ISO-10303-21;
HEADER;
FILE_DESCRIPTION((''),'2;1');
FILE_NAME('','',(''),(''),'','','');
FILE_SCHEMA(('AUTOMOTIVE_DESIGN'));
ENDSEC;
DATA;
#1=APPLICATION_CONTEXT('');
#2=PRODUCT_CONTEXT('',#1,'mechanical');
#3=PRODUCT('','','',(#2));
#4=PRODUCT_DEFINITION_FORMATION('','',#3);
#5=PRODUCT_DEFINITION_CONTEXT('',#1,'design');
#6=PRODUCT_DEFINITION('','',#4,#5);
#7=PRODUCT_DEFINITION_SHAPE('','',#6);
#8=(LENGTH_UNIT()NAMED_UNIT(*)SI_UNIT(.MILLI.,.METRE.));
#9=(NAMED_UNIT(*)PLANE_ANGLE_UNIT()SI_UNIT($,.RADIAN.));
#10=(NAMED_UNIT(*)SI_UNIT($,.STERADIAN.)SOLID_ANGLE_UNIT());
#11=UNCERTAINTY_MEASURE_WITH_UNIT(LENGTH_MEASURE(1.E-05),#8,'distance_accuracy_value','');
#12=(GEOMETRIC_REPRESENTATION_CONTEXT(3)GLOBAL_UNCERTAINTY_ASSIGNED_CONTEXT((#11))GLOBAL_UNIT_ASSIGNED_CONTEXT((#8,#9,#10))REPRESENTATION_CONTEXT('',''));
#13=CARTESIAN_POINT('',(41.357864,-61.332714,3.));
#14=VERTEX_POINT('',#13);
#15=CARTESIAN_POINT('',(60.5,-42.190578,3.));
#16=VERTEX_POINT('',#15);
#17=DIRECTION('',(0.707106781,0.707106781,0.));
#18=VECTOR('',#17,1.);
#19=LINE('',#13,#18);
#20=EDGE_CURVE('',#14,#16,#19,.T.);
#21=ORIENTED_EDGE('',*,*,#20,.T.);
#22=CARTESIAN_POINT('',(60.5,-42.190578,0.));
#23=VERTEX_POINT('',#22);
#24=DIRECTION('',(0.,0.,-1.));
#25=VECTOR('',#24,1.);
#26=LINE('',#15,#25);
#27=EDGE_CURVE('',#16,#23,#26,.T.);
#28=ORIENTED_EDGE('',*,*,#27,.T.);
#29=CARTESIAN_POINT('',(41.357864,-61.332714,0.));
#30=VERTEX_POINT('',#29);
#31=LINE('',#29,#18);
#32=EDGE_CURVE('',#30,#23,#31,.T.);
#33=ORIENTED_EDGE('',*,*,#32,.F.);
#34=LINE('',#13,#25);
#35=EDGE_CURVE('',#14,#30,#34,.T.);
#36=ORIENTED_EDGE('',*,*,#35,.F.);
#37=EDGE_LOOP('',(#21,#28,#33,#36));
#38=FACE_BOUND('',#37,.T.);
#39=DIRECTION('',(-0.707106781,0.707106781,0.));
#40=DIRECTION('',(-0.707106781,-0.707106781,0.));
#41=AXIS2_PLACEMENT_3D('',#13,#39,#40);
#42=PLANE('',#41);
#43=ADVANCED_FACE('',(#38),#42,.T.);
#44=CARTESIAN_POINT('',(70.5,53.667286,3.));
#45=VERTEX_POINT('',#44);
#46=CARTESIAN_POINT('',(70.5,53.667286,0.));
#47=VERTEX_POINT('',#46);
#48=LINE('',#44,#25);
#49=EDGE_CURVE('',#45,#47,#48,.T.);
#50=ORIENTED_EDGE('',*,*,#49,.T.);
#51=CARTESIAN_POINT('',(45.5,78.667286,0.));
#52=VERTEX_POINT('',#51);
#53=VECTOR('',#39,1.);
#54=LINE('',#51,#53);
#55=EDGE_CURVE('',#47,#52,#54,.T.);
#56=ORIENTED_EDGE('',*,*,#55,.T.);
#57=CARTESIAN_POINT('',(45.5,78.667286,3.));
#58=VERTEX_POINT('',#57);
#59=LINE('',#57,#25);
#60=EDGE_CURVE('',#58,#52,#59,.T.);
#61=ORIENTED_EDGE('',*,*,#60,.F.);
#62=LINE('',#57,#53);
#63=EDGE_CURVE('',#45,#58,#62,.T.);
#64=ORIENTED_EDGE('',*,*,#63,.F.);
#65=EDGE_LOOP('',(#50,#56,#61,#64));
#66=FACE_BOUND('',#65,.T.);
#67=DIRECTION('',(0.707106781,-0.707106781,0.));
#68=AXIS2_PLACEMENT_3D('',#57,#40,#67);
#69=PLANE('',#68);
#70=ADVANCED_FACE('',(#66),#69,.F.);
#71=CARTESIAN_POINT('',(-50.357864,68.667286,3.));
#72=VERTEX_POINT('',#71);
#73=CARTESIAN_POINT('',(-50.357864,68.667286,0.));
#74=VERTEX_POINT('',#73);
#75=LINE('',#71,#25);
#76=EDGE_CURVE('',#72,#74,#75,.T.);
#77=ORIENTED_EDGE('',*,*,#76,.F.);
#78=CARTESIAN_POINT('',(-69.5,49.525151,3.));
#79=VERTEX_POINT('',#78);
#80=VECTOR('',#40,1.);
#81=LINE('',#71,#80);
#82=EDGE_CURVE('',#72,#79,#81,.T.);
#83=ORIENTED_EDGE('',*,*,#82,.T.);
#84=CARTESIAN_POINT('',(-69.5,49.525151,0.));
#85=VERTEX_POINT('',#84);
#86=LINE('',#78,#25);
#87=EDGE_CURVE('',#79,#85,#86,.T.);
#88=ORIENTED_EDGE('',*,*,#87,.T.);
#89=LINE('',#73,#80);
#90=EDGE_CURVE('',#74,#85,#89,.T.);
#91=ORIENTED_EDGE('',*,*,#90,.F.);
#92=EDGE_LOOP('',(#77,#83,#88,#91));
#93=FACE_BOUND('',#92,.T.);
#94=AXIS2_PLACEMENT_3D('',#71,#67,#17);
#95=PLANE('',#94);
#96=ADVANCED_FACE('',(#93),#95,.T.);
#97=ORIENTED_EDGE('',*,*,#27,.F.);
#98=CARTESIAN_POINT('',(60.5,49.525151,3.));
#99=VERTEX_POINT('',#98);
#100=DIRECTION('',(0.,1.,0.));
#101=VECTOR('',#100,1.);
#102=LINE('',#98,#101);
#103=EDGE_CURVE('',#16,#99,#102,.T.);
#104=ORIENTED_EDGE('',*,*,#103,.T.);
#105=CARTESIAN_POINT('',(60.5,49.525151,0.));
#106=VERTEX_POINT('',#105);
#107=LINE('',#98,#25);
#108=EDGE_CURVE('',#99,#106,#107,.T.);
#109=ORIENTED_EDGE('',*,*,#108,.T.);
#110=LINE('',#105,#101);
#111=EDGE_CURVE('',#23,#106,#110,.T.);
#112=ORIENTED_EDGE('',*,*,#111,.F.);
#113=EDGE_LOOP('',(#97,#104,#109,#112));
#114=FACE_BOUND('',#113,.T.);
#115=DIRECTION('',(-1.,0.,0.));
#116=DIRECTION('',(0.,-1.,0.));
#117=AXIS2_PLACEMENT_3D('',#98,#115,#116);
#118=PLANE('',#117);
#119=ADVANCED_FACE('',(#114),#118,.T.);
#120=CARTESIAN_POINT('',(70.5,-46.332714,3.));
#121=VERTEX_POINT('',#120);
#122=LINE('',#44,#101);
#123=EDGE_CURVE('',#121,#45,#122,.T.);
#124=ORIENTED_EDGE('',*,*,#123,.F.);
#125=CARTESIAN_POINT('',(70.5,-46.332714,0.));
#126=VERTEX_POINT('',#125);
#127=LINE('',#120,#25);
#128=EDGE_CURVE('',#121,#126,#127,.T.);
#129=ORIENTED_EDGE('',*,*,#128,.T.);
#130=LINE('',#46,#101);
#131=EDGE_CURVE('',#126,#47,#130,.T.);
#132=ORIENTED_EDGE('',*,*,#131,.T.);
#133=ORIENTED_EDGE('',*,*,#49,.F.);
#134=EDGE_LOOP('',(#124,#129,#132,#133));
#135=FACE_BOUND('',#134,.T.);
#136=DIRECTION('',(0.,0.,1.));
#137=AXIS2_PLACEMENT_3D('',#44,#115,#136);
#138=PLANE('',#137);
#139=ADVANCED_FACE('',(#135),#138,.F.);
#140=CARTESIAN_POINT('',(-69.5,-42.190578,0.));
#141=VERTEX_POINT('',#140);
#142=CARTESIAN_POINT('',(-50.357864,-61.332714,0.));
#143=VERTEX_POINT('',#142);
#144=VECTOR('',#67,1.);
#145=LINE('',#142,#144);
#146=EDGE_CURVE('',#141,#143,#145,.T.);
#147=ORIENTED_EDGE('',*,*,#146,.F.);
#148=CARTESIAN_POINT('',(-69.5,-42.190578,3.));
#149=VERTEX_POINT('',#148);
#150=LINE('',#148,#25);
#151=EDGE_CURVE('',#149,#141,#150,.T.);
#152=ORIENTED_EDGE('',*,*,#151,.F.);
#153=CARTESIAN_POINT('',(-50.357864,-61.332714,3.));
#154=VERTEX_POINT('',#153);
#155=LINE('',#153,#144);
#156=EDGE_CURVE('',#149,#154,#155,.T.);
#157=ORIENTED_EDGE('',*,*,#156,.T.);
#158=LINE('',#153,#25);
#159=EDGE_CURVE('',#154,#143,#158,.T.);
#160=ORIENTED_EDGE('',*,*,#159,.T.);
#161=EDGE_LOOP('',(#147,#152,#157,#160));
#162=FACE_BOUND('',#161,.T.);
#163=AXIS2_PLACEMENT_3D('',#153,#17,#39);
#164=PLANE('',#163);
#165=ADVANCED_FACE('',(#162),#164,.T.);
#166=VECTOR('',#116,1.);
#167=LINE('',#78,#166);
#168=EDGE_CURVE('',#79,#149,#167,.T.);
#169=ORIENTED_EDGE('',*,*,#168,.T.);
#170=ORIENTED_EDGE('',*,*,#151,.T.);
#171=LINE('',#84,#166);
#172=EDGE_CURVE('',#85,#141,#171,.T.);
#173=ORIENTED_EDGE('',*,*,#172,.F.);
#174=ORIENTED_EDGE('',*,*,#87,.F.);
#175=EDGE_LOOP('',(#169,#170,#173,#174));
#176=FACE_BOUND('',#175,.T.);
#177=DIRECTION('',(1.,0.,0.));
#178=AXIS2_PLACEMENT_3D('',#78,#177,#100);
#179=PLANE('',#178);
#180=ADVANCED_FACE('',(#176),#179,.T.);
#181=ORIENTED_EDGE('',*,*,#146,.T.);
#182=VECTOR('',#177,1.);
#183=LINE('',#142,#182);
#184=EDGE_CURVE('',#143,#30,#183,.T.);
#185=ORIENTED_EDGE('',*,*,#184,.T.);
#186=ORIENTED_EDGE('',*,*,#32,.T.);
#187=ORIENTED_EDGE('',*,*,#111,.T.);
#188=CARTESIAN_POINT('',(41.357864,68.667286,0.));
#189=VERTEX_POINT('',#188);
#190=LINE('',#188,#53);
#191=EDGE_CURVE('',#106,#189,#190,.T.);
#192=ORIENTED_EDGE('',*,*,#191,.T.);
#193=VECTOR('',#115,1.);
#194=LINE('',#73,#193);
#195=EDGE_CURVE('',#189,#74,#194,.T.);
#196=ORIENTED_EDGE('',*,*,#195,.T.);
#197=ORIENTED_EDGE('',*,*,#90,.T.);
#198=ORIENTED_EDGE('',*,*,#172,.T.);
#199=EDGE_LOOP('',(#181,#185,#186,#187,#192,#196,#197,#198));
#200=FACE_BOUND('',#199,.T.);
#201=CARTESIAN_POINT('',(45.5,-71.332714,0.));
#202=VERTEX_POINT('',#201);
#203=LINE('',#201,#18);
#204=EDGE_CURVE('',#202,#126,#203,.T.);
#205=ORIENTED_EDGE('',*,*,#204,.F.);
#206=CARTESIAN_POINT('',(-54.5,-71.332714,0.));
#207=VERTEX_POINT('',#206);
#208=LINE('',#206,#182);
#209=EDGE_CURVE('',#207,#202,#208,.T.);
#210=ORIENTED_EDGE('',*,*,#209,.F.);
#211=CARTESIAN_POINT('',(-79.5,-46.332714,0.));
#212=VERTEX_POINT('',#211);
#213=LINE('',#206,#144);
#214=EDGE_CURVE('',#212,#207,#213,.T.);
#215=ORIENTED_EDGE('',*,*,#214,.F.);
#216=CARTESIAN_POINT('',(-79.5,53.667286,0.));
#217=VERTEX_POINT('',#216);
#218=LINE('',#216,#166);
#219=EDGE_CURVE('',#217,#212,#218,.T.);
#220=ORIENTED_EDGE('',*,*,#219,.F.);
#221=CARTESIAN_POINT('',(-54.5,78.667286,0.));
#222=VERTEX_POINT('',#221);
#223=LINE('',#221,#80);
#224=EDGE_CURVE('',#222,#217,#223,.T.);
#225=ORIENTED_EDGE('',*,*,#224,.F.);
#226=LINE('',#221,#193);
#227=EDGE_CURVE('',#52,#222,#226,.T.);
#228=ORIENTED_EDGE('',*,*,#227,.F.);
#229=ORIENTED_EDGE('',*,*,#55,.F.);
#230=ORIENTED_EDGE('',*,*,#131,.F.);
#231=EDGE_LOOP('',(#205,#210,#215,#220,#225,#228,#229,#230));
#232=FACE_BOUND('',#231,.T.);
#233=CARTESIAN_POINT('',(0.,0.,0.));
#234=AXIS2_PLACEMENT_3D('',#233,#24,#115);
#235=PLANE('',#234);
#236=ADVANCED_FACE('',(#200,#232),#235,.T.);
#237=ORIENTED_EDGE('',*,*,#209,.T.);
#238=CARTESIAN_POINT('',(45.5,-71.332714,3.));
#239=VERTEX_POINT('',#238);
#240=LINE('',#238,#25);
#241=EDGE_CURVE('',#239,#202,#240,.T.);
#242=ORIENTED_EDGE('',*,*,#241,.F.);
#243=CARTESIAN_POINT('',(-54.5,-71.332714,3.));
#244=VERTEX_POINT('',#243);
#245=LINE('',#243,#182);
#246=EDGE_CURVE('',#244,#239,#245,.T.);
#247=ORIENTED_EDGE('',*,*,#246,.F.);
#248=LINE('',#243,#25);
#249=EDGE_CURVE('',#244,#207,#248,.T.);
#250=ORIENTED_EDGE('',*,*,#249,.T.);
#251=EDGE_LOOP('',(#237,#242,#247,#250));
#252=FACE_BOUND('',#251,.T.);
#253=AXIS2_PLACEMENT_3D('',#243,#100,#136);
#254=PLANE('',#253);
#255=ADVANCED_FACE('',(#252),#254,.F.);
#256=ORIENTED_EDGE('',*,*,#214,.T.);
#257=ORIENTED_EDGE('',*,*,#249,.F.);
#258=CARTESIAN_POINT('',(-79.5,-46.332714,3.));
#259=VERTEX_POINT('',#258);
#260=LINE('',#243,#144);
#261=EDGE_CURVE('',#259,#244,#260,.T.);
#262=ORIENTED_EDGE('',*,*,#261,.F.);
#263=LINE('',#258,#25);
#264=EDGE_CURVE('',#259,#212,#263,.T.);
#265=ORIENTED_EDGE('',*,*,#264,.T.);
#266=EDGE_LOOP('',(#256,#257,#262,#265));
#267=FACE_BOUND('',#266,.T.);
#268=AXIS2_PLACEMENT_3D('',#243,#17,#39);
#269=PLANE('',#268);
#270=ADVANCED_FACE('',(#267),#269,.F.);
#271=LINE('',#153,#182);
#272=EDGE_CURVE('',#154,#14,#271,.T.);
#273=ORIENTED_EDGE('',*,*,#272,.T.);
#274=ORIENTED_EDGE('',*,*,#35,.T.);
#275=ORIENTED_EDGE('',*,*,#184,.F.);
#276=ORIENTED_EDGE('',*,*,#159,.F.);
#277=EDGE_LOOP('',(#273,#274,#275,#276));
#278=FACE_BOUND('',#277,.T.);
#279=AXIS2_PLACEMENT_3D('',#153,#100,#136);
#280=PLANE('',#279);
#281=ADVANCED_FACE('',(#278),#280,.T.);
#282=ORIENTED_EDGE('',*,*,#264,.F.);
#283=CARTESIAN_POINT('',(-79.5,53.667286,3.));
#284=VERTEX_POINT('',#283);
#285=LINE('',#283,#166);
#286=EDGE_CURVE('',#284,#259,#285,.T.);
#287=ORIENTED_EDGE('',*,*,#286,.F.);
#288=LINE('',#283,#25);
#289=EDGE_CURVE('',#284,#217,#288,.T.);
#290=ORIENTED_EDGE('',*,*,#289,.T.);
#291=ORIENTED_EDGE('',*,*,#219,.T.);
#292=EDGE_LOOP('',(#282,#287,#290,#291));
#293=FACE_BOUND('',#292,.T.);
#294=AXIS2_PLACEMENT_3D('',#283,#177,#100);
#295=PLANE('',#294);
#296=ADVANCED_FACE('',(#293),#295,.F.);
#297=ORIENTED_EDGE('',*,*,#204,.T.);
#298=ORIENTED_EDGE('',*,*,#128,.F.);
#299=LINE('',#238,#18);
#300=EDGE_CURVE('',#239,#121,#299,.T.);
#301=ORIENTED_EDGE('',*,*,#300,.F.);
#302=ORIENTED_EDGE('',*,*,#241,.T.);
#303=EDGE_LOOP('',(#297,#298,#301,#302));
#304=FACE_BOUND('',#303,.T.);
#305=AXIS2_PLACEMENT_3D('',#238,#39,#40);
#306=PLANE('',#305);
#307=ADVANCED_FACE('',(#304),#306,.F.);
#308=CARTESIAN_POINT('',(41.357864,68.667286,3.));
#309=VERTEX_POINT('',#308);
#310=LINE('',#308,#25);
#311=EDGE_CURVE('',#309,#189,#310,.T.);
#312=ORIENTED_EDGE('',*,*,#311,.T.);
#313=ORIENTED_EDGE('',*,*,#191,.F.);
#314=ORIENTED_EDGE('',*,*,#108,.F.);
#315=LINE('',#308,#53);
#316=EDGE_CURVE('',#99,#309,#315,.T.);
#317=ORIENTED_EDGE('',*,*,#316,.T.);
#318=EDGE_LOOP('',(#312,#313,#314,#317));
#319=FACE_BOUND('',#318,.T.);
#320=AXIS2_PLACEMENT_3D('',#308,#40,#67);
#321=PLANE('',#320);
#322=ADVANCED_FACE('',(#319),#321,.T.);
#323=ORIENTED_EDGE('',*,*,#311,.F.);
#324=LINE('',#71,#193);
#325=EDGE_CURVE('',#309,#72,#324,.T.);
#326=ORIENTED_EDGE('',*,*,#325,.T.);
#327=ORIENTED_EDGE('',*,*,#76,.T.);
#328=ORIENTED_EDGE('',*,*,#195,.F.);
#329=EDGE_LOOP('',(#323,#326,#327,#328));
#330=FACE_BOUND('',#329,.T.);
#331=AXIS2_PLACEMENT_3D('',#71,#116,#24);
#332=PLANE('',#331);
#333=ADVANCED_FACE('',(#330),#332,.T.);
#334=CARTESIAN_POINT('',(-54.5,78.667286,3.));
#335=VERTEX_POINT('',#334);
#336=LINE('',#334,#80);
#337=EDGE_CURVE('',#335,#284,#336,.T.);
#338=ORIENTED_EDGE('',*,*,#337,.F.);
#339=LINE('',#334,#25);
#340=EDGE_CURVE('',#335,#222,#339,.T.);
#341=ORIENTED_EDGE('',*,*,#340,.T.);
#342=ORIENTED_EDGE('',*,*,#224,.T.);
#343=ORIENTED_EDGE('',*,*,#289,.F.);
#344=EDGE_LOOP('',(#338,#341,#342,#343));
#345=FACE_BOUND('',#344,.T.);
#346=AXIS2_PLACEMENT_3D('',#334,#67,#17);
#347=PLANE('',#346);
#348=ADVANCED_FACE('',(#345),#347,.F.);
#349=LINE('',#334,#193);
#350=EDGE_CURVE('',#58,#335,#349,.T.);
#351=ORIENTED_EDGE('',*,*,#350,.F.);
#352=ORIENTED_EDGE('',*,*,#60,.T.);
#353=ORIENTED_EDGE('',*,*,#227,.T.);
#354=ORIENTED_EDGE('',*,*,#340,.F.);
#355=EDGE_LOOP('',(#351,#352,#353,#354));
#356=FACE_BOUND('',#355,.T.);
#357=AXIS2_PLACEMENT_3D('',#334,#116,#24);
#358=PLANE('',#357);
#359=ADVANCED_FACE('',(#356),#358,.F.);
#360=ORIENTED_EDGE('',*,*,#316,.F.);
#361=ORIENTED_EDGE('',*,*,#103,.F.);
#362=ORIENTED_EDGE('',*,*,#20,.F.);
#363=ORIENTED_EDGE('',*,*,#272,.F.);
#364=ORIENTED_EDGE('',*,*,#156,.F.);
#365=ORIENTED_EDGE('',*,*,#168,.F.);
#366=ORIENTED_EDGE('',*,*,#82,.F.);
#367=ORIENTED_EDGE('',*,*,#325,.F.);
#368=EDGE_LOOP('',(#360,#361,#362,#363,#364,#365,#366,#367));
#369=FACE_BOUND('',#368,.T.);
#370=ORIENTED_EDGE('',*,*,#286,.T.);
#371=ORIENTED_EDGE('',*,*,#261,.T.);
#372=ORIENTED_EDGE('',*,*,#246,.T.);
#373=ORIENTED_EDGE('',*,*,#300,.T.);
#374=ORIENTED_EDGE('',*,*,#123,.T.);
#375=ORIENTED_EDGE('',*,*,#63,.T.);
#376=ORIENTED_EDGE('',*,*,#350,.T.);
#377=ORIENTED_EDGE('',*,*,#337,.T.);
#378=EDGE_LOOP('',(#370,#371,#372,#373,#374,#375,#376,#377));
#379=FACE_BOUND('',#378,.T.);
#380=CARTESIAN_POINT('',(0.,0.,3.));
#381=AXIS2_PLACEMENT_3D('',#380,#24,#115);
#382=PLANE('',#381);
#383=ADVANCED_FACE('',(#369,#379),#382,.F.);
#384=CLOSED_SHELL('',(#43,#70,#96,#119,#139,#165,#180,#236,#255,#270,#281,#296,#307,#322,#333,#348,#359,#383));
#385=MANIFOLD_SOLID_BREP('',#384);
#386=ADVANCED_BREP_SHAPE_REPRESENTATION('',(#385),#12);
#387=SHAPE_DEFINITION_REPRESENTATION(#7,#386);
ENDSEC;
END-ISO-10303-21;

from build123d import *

# Parameters (mm, degrees)
BOSS_EXTRUDE1_DEPTH = 3


with BuildPart() as part:
    # Sketch1 → Boss-Extrude1 (new body)
    with BuildSketch(Plane.XY):
        Polygon((45.5, 78.667286245), (70.5, 53.667286245), (70.5, -46.332713755), (45.5, -71.332713755), (-54.5, -71.332713755), (-79.5, -46.332713755), (-79.5, 53.667286245), (-54.5, 78.667286245), align=None)
        Polygon((41.357864376, 68.667286245), (60.5, 49.525150622), (60.5, -42.190578131), (41.357864376, -61.332713755), (-50.357864376, -61.332713755), (-69.5, -42.190578131), (-69.5, 49.525150622), (-50.357864376, 68.667286245), align=None, mode=Mode.SUBTRACT)
    extrude(amount=BOSS_EXTRUDE1_DEPTH)


solid = part.part
